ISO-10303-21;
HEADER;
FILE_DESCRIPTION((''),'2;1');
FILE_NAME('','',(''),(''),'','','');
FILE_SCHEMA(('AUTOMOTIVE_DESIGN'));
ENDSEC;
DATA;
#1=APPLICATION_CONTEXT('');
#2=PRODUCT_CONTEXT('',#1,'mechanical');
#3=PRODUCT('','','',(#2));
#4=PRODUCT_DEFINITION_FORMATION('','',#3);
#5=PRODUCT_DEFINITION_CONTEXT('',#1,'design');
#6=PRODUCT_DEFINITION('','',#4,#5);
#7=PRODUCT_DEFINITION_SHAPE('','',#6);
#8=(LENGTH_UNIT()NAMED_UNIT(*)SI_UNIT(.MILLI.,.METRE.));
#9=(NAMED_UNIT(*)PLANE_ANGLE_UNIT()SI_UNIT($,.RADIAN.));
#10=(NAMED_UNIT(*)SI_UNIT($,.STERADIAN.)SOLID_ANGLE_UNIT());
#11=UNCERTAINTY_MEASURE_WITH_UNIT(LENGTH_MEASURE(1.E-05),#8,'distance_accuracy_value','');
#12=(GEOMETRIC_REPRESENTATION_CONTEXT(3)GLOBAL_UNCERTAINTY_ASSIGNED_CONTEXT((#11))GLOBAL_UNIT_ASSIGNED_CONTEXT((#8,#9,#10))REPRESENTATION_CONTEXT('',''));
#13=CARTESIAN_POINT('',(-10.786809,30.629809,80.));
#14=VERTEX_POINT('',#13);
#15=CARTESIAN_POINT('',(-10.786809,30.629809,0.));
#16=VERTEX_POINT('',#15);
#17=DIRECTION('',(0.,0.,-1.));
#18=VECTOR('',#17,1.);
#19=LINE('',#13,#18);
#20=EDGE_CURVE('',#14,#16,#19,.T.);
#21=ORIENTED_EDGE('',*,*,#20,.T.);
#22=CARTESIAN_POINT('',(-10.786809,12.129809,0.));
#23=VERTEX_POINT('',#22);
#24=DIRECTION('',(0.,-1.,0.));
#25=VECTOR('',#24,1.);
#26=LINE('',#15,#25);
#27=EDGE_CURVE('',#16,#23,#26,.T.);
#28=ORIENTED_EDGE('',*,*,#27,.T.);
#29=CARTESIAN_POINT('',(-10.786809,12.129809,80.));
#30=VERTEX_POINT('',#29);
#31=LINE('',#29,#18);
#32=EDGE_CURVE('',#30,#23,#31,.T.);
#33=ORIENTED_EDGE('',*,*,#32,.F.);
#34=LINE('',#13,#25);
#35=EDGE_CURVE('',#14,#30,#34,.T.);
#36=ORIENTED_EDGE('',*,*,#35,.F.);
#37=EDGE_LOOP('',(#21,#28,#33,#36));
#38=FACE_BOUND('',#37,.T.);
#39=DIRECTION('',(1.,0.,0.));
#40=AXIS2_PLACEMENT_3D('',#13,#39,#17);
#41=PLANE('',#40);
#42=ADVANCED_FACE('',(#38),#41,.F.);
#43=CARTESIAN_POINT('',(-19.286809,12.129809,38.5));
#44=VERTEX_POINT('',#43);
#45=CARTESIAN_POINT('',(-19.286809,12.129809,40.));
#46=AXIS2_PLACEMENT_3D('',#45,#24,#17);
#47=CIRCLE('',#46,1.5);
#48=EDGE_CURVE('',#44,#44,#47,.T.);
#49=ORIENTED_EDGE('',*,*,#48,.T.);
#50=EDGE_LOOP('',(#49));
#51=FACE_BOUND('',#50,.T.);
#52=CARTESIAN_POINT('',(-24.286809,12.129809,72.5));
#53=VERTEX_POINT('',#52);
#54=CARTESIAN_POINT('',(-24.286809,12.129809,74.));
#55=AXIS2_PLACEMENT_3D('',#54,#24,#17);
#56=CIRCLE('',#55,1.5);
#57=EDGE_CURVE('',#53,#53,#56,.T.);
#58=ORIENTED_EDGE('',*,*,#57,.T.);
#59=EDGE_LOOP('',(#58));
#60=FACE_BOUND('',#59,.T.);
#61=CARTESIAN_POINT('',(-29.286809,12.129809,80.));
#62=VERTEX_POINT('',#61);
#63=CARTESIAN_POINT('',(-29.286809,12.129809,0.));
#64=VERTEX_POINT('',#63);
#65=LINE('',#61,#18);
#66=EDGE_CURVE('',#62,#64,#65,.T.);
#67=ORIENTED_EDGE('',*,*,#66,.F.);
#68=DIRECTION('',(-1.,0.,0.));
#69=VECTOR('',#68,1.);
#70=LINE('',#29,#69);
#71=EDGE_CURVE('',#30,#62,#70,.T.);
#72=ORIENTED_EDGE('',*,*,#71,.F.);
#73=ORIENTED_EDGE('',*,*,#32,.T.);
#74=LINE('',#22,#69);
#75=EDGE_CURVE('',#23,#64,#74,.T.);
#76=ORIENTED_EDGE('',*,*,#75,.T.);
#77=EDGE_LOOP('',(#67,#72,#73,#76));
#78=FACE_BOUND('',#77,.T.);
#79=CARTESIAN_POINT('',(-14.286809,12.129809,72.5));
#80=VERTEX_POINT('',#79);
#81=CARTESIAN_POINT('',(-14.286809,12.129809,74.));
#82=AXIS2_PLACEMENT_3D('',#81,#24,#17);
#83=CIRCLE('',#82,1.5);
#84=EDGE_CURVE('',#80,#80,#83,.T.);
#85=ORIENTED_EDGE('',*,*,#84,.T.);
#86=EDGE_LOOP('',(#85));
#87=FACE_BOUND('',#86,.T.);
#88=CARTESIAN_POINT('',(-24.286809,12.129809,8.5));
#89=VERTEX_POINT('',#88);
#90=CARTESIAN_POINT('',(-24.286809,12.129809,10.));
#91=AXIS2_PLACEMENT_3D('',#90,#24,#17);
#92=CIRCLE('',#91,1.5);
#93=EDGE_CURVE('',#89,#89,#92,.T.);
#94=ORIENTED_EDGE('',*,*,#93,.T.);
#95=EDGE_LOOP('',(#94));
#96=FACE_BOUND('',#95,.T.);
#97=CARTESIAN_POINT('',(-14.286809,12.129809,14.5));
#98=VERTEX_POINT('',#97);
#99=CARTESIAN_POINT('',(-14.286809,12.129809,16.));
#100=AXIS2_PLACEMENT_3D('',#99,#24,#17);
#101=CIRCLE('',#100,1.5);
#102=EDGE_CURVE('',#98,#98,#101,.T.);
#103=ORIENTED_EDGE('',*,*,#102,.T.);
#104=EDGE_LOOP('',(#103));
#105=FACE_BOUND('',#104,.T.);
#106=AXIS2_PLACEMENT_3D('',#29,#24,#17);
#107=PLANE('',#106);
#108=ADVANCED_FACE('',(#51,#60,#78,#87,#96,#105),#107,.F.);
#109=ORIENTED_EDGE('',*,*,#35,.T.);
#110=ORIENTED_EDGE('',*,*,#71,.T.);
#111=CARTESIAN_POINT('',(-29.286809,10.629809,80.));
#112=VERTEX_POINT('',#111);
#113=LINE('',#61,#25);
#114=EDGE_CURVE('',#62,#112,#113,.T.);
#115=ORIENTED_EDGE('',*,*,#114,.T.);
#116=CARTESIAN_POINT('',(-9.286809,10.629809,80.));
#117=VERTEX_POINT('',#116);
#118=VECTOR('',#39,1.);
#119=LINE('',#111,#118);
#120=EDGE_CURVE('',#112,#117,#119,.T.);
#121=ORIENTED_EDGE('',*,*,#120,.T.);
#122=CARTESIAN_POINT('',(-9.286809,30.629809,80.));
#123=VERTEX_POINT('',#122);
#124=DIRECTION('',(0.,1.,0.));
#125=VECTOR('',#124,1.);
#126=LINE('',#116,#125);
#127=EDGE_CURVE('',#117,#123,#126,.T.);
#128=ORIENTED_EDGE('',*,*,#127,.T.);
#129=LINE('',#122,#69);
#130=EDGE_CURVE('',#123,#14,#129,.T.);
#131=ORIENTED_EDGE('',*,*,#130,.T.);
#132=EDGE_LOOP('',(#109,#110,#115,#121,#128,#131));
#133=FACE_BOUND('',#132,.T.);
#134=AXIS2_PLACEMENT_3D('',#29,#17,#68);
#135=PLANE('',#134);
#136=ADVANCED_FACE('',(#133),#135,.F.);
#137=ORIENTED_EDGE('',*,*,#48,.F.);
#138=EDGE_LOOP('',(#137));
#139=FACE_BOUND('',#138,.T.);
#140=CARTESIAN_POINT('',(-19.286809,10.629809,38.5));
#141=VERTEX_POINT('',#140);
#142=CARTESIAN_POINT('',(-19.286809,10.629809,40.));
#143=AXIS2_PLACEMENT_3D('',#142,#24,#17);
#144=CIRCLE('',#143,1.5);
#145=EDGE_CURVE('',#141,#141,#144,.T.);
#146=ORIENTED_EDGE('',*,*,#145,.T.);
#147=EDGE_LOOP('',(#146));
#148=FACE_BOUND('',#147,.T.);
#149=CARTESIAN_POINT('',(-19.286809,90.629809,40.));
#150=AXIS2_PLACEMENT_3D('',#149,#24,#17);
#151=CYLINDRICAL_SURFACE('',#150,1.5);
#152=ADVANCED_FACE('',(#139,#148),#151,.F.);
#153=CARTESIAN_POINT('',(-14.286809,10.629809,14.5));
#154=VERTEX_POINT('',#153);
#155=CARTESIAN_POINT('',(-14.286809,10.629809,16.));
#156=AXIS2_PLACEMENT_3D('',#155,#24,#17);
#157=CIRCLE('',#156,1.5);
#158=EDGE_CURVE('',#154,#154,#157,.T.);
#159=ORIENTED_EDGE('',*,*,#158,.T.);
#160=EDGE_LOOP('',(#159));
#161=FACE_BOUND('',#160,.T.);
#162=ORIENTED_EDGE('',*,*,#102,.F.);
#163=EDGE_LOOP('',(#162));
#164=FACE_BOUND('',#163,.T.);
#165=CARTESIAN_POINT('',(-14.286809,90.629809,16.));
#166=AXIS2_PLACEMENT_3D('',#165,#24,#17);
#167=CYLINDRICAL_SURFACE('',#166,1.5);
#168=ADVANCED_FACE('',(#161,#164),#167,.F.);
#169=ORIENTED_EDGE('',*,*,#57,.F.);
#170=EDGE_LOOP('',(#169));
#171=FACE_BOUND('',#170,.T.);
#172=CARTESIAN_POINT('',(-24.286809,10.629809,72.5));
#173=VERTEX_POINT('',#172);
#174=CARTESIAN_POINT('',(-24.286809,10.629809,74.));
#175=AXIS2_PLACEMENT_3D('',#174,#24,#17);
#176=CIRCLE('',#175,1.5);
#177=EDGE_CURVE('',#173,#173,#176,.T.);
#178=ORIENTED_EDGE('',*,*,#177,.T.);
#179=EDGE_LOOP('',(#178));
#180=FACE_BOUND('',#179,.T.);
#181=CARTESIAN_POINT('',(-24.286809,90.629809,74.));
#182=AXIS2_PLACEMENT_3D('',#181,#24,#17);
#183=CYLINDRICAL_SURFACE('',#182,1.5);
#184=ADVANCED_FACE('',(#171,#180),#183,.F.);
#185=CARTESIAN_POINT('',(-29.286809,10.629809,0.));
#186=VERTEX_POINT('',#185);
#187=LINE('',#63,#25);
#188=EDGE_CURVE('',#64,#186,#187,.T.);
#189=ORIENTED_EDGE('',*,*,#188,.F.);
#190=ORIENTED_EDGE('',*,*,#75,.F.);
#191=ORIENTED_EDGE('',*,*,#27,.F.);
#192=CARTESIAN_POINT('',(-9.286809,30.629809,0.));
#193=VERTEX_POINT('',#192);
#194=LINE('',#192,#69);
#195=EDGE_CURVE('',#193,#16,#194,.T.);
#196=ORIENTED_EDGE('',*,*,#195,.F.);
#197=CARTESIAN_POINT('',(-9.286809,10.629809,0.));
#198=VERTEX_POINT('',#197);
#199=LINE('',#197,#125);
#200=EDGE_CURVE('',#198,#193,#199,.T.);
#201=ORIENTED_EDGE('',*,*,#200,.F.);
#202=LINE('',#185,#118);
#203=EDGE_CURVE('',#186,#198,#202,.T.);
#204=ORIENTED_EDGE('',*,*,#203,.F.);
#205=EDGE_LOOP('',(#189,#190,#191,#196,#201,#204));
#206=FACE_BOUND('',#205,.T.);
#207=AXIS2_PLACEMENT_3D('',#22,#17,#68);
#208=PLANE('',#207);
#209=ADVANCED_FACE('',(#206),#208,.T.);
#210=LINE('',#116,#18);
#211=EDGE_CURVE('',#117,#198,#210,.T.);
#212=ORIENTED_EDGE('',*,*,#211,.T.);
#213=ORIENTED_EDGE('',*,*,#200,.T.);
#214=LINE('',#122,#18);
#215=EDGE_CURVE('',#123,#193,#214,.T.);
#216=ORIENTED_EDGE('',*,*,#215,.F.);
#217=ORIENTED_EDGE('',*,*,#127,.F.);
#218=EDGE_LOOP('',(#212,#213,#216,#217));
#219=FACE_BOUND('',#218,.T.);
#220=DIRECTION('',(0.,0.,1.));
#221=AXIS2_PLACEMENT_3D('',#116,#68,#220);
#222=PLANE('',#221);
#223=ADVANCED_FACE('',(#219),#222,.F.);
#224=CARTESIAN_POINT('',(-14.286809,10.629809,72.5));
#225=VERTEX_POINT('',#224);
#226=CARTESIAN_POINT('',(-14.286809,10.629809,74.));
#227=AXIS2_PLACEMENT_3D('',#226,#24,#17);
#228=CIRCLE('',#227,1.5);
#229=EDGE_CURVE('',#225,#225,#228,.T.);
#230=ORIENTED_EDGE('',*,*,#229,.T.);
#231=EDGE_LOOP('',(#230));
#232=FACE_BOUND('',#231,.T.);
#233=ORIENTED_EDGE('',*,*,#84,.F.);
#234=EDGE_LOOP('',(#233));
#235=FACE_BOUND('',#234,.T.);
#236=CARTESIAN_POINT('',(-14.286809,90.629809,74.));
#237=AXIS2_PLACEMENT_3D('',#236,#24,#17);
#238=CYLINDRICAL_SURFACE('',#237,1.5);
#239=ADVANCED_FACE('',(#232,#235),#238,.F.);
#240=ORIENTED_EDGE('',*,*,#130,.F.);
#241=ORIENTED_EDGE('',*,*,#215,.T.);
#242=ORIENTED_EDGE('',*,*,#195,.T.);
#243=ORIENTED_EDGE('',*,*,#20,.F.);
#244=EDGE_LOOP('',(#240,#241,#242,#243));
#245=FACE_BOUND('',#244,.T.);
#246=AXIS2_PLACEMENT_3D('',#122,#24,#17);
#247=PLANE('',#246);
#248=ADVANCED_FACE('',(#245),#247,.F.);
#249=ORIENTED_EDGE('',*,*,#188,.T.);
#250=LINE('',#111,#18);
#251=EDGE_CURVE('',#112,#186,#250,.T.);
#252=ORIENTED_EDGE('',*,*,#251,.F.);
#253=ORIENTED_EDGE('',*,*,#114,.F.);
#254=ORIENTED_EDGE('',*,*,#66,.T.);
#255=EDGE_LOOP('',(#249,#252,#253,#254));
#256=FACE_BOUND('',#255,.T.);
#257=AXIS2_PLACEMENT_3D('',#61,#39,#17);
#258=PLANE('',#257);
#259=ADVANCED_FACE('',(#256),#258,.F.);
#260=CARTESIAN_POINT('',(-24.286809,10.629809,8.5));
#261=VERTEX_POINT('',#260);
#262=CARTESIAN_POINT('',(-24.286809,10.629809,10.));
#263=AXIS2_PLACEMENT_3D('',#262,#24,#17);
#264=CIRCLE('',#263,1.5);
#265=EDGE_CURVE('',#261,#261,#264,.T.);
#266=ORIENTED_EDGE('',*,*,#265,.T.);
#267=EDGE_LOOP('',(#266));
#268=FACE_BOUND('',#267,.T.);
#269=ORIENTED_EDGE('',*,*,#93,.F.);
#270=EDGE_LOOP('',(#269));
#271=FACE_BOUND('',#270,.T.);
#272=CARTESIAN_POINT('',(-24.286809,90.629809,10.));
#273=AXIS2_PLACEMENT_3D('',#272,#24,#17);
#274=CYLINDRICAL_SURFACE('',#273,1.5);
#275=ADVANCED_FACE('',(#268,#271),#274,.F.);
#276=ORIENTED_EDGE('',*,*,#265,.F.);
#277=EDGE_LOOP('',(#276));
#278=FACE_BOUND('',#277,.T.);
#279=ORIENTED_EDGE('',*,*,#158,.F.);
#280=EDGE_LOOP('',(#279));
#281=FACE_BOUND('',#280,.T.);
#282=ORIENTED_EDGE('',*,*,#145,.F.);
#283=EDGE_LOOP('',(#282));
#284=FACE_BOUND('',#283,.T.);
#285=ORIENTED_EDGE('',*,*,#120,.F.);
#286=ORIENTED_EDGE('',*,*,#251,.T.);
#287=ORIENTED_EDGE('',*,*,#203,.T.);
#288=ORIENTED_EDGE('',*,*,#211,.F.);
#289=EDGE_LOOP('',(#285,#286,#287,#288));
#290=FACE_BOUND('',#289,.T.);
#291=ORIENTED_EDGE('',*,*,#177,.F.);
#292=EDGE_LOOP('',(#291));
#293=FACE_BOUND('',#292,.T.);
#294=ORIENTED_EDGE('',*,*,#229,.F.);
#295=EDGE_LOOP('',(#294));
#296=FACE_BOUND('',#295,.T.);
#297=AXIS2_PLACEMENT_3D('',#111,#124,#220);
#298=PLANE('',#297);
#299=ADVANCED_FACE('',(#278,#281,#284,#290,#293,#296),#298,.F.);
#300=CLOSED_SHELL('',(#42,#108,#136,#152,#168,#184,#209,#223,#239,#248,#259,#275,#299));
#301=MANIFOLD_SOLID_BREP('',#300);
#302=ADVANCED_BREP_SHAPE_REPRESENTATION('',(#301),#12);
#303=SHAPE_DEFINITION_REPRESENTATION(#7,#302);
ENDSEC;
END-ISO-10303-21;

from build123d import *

# Parameters (mm, degrees)
EXTRUSION1_DEPTH = 80
ESQUISSE2_R      = 1.5
EXTRUSION2_DEPTH = 80


with BuildPart() as part:
    # Esquisse1 → Extrusion1 (new body)
    with BuildSketch(Plane.XY):
        Polygon((-29.286808535, 12.129808714), (-29.286808535, 10.629808714), (-9.286808535, 10.629808714), (-9.286808535, 30.629808714), (-10.786808535, 30.629808714), (-10.786808535, 12.129808714), align=None)
    extrude(amount=EXTRUSION1_DEPTH)

    # Esquisse2 → Extrusion2 (cut)
    with BuildSketch(Plane.XZ.offset(-10.629808714)):
        with Locations(Location((-14.286808535, 74, 0), (0, 0, 270))):
            Circle(ESQUISSE2_R)
        with Locations(Location((-24.286808535, 74, 0), (0, 0, 270))):
            Circle(ESQUISSE2_R)
        with Locations(Location((-14.286808535, 16, 0), (0, 0, 270))):
            Circle(ESQUISSE2_R)
        with Locations(Location((-24.286808535, 10, 0), (0, 0, 270))):
            Circle(ESQUISSE2_R)
        with Locations(Location((-19.286808535, 40, 0), (0, 0, 270))):
            Circle(ESQUISSE2_R)
    extrude(amount=-EXTRUSION2_DEPTH, mode=Mode.SUBTRACT)


solid = part.part
